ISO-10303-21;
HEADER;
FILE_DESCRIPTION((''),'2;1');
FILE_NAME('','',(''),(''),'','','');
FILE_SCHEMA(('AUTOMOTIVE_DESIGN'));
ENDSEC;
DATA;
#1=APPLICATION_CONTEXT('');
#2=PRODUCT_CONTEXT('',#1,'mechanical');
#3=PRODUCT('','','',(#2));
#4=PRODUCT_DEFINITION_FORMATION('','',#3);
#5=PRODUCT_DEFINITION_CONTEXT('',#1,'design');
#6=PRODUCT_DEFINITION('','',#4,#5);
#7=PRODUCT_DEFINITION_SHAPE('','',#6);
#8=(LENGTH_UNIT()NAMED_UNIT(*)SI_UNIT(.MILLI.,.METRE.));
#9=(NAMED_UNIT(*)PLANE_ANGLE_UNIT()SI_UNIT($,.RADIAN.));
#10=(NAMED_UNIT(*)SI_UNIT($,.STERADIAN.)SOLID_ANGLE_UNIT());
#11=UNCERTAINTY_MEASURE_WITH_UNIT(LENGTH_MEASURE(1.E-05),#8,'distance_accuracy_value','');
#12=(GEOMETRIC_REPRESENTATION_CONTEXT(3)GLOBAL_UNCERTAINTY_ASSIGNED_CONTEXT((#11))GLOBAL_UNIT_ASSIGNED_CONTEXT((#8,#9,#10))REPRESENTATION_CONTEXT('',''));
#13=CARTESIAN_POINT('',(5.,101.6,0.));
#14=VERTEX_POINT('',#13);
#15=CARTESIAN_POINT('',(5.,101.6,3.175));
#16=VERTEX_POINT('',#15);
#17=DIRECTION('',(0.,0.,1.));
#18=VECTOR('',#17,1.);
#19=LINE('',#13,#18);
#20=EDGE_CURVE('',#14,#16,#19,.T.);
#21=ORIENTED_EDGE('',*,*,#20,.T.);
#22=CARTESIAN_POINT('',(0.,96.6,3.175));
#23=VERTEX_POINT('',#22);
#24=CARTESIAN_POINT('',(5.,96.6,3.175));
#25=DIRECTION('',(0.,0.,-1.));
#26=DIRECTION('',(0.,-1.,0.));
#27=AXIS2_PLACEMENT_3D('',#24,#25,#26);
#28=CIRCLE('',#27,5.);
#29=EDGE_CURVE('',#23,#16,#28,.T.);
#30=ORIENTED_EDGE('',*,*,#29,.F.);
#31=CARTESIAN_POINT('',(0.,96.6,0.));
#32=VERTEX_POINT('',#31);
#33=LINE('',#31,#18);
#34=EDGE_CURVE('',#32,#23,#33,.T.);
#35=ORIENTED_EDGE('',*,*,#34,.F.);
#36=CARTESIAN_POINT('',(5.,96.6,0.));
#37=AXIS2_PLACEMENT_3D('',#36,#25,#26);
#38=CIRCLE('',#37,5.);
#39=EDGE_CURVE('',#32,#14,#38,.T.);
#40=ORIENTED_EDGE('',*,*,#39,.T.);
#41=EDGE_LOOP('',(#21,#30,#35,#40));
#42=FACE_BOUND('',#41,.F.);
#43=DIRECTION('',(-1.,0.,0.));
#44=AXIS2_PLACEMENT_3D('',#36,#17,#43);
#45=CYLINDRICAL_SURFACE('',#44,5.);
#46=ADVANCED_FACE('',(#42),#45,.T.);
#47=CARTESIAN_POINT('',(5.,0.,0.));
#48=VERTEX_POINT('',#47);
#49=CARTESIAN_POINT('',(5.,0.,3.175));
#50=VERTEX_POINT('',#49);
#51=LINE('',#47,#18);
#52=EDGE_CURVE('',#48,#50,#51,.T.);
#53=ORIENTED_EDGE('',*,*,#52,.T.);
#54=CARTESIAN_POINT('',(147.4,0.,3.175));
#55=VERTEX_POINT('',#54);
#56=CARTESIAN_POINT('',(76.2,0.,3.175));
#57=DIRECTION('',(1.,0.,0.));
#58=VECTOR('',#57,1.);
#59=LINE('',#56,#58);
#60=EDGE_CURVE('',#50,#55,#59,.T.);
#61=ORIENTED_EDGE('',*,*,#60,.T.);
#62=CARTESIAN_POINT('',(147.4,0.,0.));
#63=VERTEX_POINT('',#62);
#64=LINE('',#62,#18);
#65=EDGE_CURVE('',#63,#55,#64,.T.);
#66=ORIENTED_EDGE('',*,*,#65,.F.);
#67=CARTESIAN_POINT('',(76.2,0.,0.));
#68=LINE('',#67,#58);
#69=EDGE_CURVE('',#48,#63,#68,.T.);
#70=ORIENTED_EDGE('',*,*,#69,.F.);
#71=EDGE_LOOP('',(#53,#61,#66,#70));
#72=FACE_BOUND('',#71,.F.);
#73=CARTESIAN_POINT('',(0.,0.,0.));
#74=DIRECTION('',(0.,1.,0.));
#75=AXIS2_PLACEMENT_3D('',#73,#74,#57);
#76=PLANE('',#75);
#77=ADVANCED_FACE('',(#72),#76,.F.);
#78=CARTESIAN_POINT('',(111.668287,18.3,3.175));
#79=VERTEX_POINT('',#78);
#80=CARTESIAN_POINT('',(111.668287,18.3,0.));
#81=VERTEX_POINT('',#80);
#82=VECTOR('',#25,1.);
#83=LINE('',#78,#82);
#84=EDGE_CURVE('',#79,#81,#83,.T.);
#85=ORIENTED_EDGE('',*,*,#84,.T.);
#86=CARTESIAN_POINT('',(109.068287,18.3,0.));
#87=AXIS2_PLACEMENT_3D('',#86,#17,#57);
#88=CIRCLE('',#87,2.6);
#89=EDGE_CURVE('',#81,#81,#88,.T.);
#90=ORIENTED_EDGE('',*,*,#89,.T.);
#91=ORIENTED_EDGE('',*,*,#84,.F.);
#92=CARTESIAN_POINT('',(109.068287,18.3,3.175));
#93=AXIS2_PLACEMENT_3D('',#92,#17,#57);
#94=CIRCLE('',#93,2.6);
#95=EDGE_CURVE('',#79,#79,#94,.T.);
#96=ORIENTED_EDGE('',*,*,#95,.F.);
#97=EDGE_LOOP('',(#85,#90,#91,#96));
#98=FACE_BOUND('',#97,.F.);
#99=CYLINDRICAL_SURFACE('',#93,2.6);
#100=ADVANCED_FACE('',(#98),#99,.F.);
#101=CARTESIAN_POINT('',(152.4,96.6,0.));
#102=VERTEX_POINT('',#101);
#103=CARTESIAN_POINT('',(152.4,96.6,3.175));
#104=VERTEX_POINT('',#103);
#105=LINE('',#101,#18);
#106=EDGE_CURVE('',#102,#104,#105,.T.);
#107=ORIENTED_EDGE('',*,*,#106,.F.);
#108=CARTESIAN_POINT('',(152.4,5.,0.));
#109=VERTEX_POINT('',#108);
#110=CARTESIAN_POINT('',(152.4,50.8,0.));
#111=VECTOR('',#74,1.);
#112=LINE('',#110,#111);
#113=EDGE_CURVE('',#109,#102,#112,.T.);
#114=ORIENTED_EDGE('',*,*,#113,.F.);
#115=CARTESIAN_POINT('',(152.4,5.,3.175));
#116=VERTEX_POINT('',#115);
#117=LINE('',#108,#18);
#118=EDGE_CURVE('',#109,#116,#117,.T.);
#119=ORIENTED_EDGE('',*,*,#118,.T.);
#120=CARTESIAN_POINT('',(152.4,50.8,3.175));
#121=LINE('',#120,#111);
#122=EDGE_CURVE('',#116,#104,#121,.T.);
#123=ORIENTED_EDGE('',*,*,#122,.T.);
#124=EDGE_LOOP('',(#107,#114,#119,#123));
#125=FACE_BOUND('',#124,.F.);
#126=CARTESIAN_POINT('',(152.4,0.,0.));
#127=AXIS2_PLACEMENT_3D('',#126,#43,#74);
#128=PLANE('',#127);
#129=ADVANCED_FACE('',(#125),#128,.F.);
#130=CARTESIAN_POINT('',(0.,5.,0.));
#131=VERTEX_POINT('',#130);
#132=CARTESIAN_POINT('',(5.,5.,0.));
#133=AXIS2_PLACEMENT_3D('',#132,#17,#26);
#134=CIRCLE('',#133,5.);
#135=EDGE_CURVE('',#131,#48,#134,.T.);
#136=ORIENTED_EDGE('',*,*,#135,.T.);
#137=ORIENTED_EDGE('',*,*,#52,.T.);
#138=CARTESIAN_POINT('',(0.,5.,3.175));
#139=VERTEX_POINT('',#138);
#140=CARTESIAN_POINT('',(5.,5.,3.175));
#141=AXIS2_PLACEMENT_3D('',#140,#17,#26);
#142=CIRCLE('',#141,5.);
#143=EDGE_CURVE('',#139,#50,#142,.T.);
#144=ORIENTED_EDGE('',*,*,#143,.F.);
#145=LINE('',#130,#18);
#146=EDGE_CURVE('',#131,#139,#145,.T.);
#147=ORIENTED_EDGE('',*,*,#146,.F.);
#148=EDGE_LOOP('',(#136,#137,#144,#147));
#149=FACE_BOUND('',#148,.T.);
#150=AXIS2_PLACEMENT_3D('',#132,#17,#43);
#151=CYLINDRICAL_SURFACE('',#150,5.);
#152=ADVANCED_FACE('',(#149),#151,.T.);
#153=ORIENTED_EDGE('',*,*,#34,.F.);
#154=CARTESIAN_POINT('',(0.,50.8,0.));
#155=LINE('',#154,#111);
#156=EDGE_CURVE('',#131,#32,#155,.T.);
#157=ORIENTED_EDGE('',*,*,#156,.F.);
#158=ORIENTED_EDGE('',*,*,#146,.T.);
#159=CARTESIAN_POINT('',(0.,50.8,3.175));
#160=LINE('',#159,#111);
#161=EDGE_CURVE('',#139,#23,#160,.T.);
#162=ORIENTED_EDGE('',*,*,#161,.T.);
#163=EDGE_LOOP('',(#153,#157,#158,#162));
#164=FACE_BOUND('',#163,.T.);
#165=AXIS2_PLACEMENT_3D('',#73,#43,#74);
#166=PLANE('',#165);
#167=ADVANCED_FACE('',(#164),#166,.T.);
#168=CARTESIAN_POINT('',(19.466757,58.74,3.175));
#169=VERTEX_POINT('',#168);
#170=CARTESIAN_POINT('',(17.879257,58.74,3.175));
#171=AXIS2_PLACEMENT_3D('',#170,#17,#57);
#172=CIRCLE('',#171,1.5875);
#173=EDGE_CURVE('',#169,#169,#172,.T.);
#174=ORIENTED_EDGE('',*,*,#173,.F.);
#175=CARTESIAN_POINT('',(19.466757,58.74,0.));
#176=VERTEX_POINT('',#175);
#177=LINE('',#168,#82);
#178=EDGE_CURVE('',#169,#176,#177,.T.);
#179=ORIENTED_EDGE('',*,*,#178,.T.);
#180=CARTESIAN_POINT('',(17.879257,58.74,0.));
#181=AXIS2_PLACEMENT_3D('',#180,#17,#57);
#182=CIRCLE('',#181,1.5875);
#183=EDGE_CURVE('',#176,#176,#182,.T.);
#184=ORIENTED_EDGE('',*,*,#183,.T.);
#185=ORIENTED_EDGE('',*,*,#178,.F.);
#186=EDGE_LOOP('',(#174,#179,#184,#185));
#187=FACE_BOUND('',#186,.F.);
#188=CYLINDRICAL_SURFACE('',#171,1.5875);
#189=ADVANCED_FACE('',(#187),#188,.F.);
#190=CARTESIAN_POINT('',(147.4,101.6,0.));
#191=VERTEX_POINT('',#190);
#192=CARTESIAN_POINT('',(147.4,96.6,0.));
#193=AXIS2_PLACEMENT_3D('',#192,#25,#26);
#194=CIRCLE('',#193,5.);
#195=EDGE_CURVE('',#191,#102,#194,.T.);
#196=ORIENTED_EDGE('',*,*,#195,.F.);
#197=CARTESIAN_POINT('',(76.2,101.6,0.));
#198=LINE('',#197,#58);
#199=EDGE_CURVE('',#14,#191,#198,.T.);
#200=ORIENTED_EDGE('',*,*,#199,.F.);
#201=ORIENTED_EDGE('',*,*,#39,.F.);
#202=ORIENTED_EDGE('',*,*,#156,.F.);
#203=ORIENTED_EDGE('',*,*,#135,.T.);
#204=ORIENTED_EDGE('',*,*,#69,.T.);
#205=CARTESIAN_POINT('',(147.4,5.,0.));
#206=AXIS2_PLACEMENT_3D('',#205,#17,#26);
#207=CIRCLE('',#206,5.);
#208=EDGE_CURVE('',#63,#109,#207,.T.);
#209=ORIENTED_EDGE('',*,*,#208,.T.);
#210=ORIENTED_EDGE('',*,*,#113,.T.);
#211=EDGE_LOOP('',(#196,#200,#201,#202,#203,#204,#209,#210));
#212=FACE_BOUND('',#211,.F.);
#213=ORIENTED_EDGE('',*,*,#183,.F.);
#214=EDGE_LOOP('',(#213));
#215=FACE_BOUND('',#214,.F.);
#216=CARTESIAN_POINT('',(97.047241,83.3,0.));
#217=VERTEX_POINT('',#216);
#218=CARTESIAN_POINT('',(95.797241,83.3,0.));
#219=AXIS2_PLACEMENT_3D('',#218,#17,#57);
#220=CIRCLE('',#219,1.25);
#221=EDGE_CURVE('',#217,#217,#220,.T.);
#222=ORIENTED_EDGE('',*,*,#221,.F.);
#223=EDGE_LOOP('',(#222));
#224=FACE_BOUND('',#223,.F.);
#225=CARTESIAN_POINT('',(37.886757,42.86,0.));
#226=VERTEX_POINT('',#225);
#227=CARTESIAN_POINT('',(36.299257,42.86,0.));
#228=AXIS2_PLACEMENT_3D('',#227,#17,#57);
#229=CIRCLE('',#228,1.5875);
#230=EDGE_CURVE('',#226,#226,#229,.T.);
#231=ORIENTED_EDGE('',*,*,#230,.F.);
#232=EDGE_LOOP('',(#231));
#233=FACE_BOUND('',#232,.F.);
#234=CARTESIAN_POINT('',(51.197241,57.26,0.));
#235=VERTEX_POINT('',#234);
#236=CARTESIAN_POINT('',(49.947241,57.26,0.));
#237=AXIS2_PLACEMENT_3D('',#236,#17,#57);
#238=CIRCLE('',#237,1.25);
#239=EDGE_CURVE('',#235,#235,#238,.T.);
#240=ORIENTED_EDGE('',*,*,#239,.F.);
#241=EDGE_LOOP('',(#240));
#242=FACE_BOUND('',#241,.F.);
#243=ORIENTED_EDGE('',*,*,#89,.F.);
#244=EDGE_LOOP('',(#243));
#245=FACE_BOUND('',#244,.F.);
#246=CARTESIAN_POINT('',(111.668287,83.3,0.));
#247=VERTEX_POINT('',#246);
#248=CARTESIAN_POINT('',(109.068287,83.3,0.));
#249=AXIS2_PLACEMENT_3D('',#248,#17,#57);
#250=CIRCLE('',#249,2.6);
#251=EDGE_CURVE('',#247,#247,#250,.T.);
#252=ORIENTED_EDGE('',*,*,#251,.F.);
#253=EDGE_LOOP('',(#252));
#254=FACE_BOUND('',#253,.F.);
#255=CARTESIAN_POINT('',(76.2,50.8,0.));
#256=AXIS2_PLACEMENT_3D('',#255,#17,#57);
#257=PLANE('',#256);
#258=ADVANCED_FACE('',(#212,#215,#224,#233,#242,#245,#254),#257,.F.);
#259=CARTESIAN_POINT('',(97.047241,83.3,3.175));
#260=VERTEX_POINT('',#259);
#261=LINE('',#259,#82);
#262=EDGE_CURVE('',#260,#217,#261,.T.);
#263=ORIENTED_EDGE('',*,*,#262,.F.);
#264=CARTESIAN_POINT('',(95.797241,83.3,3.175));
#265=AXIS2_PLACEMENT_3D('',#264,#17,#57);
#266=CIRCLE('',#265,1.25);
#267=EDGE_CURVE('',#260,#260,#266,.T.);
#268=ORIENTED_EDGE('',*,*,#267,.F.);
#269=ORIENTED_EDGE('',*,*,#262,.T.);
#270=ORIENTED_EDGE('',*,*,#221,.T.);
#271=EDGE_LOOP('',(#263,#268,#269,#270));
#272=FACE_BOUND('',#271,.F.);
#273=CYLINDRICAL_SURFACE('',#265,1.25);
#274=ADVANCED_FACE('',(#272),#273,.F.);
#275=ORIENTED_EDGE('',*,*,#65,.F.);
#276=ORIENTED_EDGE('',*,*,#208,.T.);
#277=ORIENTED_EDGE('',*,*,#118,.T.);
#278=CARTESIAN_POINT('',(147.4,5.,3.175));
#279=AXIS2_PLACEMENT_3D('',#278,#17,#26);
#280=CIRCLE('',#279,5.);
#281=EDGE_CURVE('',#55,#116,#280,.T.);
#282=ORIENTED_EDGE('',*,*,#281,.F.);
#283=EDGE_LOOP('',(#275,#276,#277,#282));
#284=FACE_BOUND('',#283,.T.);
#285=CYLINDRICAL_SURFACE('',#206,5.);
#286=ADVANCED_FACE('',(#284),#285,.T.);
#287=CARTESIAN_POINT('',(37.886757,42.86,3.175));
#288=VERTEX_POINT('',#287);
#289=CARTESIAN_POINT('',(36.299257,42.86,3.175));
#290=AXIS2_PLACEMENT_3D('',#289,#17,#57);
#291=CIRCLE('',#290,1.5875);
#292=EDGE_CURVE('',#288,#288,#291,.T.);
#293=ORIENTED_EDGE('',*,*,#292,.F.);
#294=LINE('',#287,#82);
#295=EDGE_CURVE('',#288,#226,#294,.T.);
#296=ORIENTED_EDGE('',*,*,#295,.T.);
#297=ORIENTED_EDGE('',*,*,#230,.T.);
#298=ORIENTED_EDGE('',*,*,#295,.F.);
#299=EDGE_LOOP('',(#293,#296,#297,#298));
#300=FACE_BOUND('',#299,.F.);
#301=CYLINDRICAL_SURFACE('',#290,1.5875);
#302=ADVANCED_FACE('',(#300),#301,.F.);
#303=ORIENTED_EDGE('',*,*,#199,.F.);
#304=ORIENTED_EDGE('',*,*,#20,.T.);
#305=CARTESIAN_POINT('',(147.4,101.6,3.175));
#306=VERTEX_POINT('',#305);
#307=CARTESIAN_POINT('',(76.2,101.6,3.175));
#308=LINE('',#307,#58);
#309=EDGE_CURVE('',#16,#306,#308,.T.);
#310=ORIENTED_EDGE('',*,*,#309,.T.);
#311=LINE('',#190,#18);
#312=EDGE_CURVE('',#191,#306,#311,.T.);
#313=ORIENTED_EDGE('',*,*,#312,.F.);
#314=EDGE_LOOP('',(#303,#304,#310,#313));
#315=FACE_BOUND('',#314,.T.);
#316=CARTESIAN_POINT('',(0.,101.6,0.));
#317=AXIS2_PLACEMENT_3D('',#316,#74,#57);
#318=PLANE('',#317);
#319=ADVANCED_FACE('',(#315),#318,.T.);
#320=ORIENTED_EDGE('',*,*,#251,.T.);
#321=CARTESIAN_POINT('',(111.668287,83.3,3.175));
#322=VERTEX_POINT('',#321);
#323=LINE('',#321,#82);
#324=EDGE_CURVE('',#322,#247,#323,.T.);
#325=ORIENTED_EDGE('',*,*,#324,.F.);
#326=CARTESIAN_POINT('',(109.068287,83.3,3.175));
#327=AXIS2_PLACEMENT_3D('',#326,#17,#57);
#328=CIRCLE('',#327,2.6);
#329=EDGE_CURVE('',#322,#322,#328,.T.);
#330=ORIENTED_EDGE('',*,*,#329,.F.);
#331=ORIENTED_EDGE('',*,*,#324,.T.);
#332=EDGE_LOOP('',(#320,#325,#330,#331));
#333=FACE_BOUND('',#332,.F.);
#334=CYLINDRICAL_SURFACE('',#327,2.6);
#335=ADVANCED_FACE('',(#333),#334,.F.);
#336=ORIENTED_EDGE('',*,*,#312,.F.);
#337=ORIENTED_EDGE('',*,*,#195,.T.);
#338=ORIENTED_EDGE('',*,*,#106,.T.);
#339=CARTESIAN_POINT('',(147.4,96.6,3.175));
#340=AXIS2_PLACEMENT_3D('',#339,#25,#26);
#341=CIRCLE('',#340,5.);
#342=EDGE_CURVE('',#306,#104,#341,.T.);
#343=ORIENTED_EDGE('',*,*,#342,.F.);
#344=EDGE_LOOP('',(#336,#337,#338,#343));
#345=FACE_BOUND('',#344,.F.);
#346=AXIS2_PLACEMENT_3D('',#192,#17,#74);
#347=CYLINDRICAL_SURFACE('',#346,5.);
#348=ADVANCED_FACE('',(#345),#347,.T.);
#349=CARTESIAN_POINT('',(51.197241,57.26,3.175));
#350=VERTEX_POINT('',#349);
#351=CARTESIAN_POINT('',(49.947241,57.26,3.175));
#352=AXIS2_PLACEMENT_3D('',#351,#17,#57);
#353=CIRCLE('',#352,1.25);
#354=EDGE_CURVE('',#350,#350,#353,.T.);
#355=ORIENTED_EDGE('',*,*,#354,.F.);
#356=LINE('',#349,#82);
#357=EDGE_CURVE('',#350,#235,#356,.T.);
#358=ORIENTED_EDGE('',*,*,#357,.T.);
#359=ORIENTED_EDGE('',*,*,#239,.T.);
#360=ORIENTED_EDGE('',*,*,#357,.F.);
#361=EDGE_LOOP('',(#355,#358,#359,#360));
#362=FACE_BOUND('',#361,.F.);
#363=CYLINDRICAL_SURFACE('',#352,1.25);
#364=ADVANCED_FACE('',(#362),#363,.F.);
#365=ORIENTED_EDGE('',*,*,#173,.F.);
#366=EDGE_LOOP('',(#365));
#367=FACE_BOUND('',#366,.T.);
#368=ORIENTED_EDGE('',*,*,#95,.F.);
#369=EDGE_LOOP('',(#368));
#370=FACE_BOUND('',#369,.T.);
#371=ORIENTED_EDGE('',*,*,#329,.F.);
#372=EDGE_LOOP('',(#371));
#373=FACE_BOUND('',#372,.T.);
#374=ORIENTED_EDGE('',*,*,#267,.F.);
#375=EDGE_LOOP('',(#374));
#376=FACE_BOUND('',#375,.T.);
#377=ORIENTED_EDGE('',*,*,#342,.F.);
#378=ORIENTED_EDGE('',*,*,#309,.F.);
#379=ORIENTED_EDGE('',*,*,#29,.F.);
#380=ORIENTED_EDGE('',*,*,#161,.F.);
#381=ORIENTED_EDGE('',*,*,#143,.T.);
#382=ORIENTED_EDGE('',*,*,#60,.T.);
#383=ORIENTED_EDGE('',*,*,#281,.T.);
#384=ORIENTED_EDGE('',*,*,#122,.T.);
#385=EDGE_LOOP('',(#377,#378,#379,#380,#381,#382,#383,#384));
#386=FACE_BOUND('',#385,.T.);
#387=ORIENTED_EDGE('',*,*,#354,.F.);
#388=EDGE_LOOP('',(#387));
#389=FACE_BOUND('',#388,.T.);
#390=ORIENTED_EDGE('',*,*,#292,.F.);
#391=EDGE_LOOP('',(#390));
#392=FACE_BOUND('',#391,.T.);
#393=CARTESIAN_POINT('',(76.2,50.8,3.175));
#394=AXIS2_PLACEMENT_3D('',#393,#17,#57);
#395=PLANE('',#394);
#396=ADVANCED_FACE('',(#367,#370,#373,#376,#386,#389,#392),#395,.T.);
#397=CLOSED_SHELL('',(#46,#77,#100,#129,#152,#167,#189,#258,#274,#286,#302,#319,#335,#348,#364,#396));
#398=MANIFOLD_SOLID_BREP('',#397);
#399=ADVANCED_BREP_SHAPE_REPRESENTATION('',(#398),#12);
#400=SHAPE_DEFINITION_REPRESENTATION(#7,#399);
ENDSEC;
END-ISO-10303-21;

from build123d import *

# Parameters (mm, degrees)
SKETCH1_W           = 152.4
SKETCH1_H           = 101.6
BOSS_EXTRUDE1_DEPTH = 3.175
CUT_EXTRUDE1_REACH  = 5.175
SKETCH2_R           = 2.6
SKETCH2_R_2         = 1.25
SKETCH2_R_3         = 1.5875
FILLET1_R           = 5


with BuildPart() as part:
    # Sketch1 → Boss-Extrude1 (new body)
    with BuildSketch(Plane.XY):
        with Locations((76.2, 50.8)):
            Rectangle(SKETCH1_W, SKETCH1_H)
    extrude(amount=BOSS_EXTRUDE1_DEPTH)

    # Sketch2 → Cut-Extrude1 (cut, up to next)
    with BuildSketch(Plane.XY.offset(3.175), mode=Mode.PRIVATE) as cut_extrude1_sk1:
        with Locations((109.06828742, 18.3)):
            Circle(SKETCH2_R)
    cut_extrude1_tool1 = extrude(cut_extrude1_sk1.sketch, amount=-CUT_EXTRUDE1_REACH, mode=Mode.PRIVATE) & part.part
    add(cut_extrude1_tool1.solids().sort_by_distance((109.068287, 18.3, 3.175))[0], mode=Mode.SUBTRACT)
    # Sketch2 → Cut-Extrude1 (cut, up to next)
    with BuildSketch(Plane.XY.offset(3.175), mode=Mode.PRIVATE) as cut_extrude1_sk2:
        with Locations((109.06828742, 83.3)):
            Circle(SKETCH2_R)
    cut_extrude1_tool2 = extrude(cut_extrude1_sk2.sketch, amount=-CUT_EXTRUDE1_REACH, mode=Mode.PRIVATE) & part.part
    add(cut_extrude1_tool2.solids().sort_by_distance((109.068287, 83.3, 3.175))[0], mode=Mode.SUBTRACT)
    # Sketch2 → Cut-Extrude1 (cut, up to next)
    with BuildSketch(Plane.XY.offset(3.175), mode=Mode.PRIVATE) as cut_extrude1_sk3:
        with Locations((95.79724118, 83.3)):
            Circle(SKETCH2_R_2)
    cut_extrude1_tool3 = extrude(cut_extrude1_sk3.sketch, amount=-CUT_EXTRUDE1_REACH, mode=Mode.PRIVATE) & part.part
    add(cut_extrude1_tool3.solids().sort_by_distance((95.797241, 83.3, 3.175))[0], mode=Mode.SUBTRACT)
    # Sketch2 → Cut-Extrude1 (cut, up to next)
    with BuildSketch(Plane.XY.offset(3.175), mode=Mode.PRIVATE) as cut_extrude1_sk4:
        with Locations((49.94724118, 57.26)):
            Circle(SKETCH2_R_2)
    cut_extrude1_tool4 = extrude(cut_extrude1_sk4.sketch, amount=-CUT_EXTRUDE1_REACH, mode=Mode.PRIVATE) & part.part
    add(cut_extrude1_tool4.solids().sort_by_distance((49.947241, 57.26, 3.175))[0], mode=Mode.SUBTRACT)
    # Sketch2 → Cut-Extrude1 (cut, up to next)
    with BuildSketch(Plane.XY.offset(3.175), mode=Mode.PRIVATE) as cut_extrude1_sk5:
        with Locations((17.879257387, 58.74)):
            Circle(SKETCH2_R_3)
    cut_extrude1_tool5 = extrude(cut_extrude1_sk5.sketch, amount=-CUT_EXTRUDE1_REACH, mode=Mode.PRIVATE) & part.part
    add(cut_extrude1_tool5.solids().sort_by_distance((17.879257, 58.74, 3.175))[0], mode=Mode.SUBTRACT)
    # Sketch2 → Cut-Extrude1 (cut, up to next)
    with BuildSketch(Plane.XY.offset(3.175), mode=Mode.PRIVATE) as cut_extrude1_sk6:
        with Locations((36.299257387, 42.86)):
            Circle(SKETCH2_R_3)
    cut_extrude1_tool6 = extrude(cut_extrude1_sk6.sketch, amount=-CUT_EXTRUDE1_REACH, mode=Mode.PRIVATE) & part.part
    add(cut_extrude1_tool6.solids().sort_by_distance((36.299257, 42.86, 3.175))[0], mode=Mode.SUBTRACT)

    # Fillet1
    fillet1_edges = [part.edges().sort_by_distance(p)[0] for p in [
        (0, 101.6, 1.5875),
        (152.4, 101.6, 1.5875),
        (152.4, 0, 1.5875),
        (0, 0, 1.5875),
    ]]
    fillet(fillet1_edges, radius=FILLET1_R)


solid = part.part
